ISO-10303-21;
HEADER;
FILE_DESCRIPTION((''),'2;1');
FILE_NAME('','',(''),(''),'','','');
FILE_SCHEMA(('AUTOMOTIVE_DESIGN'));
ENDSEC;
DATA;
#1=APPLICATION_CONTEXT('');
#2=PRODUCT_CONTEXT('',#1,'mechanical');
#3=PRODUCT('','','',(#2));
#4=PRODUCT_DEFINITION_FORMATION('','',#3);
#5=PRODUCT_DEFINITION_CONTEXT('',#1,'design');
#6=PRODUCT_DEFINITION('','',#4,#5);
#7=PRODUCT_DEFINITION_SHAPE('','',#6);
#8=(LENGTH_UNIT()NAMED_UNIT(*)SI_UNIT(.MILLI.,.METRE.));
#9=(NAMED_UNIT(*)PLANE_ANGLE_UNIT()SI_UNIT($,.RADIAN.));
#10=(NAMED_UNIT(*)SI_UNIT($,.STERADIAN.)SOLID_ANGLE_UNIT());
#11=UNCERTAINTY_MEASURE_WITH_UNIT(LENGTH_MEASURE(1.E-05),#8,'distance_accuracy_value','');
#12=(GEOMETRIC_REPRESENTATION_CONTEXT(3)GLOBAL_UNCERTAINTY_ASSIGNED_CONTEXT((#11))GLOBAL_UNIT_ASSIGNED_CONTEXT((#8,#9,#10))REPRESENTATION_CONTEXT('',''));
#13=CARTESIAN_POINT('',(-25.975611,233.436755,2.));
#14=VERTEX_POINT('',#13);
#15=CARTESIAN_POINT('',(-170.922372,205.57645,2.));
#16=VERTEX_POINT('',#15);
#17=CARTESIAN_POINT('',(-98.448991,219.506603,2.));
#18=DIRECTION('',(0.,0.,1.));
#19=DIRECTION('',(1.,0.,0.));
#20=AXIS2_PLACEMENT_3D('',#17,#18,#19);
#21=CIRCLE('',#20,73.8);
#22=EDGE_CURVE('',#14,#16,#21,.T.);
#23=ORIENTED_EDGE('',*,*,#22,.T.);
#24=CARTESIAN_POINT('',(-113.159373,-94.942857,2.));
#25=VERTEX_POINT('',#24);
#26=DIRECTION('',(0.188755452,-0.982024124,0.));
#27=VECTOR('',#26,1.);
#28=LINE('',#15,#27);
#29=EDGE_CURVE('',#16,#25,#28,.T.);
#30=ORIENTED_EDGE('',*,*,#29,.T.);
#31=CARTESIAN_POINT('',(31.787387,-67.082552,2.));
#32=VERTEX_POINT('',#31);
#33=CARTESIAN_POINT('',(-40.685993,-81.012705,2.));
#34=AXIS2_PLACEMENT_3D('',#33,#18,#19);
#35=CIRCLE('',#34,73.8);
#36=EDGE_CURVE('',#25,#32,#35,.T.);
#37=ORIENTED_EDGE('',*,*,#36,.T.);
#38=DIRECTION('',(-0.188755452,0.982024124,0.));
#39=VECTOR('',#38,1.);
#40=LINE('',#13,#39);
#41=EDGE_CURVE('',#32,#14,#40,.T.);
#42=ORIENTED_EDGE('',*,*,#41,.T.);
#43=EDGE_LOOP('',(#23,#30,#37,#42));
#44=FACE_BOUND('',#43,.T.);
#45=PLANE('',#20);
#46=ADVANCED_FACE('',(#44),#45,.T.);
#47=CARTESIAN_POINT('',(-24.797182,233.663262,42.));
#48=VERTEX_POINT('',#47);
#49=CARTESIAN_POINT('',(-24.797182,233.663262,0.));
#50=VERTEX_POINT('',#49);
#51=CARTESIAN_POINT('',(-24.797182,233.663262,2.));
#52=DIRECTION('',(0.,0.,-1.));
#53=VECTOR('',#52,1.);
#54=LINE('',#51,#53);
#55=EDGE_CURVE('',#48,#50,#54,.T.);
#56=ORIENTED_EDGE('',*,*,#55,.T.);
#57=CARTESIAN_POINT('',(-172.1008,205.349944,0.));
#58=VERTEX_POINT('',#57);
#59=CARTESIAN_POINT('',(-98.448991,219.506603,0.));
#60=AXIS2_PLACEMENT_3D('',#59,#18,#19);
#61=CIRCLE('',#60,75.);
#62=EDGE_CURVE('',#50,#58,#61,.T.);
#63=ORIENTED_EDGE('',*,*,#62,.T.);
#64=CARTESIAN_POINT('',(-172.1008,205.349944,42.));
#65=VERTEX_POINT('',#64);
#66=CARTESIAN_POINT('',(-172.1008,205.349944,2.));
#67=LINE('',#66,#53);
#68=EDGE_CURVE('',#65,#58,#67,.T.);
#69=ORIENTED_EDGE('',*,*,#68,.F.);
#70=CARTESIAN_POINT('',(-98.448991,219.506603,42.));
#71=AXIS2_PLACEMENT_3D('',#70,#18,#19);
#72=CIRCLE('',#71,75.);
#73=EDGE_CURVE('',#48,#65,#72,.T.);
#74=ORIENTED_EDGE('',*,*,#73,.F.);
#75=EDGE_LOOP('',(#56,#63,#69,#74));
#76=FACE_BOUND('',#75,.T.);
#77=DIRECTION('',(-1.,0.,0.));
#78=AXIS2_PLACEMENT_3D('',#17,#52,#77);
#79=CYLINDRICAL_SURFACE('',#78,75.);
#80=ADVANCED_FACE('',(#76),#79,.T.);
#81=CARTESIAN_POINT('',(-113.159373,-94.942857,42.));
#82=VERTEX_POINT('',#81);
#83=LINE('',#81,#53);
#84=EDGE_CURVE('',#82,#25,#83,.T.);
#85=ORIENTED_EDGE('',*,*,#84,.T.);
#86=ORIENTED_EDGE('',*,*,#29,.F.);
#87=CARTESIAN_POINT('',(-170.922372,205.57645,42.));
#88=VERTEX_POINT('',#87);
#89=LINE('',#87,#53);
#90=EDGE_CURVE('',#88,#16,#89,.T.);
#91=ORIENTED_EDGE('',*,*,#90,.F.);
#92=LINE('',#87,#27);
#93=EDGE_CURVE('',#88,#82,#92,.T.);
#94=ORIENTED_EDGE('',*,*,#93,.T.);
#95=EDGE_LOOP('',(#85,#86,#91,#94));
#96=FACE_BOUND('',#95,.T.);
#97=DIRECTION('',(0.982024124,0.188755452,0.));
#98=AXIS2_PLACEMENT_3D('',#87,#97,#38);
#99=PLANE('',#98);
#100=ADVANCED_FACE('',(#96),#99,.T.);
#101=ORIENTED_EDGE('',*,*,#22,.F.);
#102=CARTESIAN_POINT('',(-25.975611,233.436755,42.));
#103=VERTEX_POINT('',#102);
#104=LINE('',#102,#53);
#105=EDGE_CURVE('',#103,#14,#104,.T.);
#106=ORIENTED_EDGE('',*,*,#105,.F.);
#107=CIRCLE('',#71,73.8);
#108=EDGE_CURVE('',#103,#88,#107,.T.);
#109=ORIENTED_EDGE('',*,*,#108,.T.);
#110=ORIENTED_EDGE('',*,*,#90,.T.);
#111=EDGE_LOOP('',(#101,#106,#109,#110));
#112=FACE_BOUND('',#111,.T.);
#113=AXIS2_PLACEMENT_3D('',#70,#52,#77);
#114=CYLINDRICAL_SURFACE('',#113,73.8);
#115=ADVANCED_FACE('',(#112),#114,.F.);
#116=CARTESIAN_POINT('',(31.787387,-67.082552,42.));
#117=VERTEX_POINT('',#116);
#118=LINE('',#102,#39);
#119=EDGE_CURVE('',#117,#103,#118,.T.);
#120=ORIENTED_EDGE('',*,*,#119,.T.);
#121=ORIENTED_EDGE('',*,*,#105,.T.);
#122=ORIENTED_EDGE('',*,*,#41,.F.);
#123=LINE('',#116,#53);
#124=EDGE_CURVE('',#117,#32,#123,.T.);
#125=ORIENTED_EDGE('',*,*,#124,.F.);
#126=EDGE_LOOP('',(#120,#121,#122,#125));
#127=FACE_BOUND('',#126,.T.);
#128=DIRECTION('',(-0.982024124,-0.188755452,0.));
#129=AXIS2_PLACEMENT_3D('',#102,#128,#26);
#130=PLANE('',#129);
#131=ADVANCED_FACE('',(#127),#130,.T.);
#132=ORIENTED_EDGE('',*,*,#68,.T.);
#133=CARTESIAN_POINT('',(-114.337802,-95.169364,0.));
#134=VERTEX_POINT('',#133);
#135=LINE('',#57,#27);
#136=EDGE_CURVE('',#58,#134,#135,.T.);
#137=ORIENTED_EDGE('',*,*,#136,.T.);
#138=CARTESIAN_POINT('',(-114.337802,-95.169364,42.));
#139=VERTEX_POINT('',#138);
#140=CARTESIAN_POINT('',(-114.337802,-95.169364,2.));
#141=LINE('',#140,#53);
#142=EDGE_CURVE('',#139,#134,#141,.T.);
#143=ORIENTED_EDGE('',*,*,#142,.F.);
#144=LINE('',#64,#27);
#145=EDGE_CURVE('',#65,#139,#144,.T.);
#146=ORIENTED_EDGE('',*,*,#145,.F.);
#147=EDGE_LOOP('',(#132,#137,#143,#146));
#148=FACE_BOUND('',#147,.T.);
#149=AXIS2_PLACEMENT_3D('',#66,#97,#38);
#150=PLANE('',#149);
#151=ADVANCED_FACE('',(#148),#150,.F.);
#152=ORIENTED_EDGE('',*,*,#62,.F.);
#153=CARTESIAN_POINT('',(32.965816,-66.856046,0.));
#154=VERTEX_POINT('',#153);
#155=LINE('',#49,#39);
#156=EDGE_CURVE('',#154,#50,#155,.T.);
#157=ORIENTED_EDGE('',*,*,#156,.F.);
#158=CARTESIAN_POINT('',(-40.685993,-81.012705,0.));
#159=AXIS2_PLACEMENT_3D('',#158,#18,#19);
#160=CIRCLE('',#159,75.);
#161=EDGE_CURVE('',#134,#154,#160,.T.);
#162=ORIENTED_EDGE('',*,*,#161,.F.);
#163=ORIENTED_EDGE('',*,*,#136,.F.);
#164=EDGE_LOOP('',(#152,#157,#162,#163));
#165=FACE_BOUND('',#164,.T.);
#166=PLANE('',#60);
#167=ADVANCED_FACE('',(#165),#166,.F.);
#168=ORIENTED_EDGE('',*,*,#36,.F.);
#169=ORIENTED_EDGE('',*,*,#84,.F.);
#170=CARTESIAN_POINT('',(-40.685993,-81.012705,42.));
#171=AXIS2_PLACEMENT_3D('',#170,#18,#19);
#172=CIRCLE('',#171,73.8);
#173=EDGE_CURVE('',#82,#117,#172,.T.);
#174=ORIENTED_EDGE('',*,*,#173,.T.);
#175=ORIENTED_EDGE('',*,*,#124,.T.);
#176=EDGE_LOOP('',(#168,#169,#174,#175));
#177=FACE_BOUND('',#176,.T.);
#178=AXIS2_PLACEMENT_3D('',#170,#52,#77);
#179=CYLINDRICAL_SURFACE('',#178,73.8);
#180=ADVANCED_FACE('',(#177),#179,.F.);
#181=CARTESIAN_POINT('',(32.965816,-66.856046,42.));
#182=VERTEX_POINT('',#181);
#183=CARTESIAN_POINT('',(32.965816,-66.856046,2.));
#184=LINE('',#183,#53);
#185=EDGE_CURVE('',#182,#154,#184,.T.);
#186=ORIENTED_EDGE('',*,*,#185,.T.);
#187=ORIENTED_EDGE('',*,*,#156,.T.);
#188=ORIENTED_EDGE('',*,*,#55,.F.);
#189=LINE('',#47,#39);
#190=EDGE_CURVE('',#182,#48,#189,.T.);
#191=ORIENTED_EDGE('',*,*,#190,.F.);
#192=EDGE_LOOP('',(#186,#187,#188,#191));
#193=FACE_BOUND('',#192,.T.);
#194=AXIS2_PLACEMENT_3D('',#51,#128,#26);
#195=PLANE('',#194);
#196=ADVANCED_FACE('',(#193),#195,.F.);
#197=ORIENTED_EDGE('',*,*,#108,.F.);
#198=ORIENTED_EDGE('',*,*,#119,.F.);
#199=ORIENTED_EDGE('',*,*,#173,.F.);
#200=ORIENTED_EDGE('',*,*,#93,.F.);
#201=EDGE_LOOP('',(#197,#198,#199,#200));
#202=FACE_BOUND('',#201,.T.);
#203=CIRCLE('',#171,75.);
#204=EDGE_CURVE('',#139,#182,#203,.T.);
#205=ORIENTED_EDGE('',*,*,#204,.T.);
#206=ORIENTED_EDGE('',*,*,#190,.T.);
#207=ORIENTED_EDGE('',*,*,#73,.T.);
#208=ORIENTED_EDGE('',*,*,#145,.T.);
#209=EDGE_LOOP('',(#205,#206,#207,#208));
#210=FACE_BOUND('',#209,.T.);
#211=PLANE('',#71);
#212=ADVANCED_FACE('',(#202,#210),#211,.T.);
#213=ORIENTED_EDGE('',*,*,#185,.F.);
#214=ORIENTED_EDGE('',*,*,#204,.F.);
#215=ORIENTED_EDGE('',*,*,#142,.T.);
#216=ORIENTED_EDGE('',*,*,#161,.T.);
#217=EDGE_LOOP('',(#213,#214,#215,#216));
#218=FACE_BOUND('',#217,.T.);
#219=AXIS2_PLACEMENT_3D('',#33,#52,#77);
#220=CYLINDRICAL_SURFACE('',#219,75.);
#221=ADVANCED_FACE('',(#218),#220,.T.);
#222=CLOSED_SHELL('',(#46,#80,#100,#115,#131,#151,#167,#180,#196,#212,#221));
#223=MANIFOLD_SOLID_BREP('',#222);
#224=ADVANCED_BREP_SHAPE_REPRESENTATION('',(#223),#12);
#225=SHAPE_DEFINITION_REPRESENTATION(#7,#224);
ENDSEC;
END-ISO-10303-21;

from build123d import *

# Parameters (mm, degrees)
BOSS_EXTRUDE1_DEPTH = 2
BOSS_EXTRUDE2_DEPTH = 40


with BuildPart() as part:
    # Sketch1 → Boss-Extrude1 (new body)
    with BuildSketch(Plane.XY):
        with BuildLine():
            Line((-24.797181948, 233.66326175), (32.965816351, -66.856045841))
            ThreePointArc((32.965816351, -66.856045841), (-26.529334007, -154.66451402), (-114.337802185, -95.169363662))
            Line((-114.337802185, -95.169363662), (-172.100800485, 205.34994393))
            ThreePointArc((-172.100800485, 205.34994393), (-112.605650127, 293.158412108), (-24.797181948, 233.66326175))
        make_face()
    extrude(amount=BOSS_EXTRUDE1_DEPTH)

    # Sketch2 → Boss-Extrude2 (add)
    with BuildSketch(Plane.XY.offset(2)):
        with BuildLine():
            Line((-24.797181948, 233.66326175), (32.965816351, -66.856045841))
            ThreePointArc((32.965816351, -66.856045841), (-26.529334007, -154.66451402), (-114.337802185, -95.169363662))
            Line((-114.337802185, -95.169363662), (-172.100800485, 205.34994393))
            ThreePointArc((-172.100800485, 205.34994393), (-112.605650127, 293.158412108), (-24.797181948, 233.66326175))
        make_face()
        with BuildLine():
            Line((-25.975610897, 233.436755208), (31.787387403, -67.082552384))
            ThreePointArc((31.787387403, -67.082552384), (-26.755840549, -153.486085072), (-113.159373237, -94.942857119))
            Line((-113.159373237, -94.942857119), (-170.922371537, 205.576450472))
            ThreePointArc((-170.922371537, 205.576450472), (-112.379143584, 291.97998316), (-25.975610897, 233.436755208))
        make_face(mode=Mode.SUBTRACT)
    extrude(amount=BOSS_EXTRUDE2_DEPTH)


solid = part.part
